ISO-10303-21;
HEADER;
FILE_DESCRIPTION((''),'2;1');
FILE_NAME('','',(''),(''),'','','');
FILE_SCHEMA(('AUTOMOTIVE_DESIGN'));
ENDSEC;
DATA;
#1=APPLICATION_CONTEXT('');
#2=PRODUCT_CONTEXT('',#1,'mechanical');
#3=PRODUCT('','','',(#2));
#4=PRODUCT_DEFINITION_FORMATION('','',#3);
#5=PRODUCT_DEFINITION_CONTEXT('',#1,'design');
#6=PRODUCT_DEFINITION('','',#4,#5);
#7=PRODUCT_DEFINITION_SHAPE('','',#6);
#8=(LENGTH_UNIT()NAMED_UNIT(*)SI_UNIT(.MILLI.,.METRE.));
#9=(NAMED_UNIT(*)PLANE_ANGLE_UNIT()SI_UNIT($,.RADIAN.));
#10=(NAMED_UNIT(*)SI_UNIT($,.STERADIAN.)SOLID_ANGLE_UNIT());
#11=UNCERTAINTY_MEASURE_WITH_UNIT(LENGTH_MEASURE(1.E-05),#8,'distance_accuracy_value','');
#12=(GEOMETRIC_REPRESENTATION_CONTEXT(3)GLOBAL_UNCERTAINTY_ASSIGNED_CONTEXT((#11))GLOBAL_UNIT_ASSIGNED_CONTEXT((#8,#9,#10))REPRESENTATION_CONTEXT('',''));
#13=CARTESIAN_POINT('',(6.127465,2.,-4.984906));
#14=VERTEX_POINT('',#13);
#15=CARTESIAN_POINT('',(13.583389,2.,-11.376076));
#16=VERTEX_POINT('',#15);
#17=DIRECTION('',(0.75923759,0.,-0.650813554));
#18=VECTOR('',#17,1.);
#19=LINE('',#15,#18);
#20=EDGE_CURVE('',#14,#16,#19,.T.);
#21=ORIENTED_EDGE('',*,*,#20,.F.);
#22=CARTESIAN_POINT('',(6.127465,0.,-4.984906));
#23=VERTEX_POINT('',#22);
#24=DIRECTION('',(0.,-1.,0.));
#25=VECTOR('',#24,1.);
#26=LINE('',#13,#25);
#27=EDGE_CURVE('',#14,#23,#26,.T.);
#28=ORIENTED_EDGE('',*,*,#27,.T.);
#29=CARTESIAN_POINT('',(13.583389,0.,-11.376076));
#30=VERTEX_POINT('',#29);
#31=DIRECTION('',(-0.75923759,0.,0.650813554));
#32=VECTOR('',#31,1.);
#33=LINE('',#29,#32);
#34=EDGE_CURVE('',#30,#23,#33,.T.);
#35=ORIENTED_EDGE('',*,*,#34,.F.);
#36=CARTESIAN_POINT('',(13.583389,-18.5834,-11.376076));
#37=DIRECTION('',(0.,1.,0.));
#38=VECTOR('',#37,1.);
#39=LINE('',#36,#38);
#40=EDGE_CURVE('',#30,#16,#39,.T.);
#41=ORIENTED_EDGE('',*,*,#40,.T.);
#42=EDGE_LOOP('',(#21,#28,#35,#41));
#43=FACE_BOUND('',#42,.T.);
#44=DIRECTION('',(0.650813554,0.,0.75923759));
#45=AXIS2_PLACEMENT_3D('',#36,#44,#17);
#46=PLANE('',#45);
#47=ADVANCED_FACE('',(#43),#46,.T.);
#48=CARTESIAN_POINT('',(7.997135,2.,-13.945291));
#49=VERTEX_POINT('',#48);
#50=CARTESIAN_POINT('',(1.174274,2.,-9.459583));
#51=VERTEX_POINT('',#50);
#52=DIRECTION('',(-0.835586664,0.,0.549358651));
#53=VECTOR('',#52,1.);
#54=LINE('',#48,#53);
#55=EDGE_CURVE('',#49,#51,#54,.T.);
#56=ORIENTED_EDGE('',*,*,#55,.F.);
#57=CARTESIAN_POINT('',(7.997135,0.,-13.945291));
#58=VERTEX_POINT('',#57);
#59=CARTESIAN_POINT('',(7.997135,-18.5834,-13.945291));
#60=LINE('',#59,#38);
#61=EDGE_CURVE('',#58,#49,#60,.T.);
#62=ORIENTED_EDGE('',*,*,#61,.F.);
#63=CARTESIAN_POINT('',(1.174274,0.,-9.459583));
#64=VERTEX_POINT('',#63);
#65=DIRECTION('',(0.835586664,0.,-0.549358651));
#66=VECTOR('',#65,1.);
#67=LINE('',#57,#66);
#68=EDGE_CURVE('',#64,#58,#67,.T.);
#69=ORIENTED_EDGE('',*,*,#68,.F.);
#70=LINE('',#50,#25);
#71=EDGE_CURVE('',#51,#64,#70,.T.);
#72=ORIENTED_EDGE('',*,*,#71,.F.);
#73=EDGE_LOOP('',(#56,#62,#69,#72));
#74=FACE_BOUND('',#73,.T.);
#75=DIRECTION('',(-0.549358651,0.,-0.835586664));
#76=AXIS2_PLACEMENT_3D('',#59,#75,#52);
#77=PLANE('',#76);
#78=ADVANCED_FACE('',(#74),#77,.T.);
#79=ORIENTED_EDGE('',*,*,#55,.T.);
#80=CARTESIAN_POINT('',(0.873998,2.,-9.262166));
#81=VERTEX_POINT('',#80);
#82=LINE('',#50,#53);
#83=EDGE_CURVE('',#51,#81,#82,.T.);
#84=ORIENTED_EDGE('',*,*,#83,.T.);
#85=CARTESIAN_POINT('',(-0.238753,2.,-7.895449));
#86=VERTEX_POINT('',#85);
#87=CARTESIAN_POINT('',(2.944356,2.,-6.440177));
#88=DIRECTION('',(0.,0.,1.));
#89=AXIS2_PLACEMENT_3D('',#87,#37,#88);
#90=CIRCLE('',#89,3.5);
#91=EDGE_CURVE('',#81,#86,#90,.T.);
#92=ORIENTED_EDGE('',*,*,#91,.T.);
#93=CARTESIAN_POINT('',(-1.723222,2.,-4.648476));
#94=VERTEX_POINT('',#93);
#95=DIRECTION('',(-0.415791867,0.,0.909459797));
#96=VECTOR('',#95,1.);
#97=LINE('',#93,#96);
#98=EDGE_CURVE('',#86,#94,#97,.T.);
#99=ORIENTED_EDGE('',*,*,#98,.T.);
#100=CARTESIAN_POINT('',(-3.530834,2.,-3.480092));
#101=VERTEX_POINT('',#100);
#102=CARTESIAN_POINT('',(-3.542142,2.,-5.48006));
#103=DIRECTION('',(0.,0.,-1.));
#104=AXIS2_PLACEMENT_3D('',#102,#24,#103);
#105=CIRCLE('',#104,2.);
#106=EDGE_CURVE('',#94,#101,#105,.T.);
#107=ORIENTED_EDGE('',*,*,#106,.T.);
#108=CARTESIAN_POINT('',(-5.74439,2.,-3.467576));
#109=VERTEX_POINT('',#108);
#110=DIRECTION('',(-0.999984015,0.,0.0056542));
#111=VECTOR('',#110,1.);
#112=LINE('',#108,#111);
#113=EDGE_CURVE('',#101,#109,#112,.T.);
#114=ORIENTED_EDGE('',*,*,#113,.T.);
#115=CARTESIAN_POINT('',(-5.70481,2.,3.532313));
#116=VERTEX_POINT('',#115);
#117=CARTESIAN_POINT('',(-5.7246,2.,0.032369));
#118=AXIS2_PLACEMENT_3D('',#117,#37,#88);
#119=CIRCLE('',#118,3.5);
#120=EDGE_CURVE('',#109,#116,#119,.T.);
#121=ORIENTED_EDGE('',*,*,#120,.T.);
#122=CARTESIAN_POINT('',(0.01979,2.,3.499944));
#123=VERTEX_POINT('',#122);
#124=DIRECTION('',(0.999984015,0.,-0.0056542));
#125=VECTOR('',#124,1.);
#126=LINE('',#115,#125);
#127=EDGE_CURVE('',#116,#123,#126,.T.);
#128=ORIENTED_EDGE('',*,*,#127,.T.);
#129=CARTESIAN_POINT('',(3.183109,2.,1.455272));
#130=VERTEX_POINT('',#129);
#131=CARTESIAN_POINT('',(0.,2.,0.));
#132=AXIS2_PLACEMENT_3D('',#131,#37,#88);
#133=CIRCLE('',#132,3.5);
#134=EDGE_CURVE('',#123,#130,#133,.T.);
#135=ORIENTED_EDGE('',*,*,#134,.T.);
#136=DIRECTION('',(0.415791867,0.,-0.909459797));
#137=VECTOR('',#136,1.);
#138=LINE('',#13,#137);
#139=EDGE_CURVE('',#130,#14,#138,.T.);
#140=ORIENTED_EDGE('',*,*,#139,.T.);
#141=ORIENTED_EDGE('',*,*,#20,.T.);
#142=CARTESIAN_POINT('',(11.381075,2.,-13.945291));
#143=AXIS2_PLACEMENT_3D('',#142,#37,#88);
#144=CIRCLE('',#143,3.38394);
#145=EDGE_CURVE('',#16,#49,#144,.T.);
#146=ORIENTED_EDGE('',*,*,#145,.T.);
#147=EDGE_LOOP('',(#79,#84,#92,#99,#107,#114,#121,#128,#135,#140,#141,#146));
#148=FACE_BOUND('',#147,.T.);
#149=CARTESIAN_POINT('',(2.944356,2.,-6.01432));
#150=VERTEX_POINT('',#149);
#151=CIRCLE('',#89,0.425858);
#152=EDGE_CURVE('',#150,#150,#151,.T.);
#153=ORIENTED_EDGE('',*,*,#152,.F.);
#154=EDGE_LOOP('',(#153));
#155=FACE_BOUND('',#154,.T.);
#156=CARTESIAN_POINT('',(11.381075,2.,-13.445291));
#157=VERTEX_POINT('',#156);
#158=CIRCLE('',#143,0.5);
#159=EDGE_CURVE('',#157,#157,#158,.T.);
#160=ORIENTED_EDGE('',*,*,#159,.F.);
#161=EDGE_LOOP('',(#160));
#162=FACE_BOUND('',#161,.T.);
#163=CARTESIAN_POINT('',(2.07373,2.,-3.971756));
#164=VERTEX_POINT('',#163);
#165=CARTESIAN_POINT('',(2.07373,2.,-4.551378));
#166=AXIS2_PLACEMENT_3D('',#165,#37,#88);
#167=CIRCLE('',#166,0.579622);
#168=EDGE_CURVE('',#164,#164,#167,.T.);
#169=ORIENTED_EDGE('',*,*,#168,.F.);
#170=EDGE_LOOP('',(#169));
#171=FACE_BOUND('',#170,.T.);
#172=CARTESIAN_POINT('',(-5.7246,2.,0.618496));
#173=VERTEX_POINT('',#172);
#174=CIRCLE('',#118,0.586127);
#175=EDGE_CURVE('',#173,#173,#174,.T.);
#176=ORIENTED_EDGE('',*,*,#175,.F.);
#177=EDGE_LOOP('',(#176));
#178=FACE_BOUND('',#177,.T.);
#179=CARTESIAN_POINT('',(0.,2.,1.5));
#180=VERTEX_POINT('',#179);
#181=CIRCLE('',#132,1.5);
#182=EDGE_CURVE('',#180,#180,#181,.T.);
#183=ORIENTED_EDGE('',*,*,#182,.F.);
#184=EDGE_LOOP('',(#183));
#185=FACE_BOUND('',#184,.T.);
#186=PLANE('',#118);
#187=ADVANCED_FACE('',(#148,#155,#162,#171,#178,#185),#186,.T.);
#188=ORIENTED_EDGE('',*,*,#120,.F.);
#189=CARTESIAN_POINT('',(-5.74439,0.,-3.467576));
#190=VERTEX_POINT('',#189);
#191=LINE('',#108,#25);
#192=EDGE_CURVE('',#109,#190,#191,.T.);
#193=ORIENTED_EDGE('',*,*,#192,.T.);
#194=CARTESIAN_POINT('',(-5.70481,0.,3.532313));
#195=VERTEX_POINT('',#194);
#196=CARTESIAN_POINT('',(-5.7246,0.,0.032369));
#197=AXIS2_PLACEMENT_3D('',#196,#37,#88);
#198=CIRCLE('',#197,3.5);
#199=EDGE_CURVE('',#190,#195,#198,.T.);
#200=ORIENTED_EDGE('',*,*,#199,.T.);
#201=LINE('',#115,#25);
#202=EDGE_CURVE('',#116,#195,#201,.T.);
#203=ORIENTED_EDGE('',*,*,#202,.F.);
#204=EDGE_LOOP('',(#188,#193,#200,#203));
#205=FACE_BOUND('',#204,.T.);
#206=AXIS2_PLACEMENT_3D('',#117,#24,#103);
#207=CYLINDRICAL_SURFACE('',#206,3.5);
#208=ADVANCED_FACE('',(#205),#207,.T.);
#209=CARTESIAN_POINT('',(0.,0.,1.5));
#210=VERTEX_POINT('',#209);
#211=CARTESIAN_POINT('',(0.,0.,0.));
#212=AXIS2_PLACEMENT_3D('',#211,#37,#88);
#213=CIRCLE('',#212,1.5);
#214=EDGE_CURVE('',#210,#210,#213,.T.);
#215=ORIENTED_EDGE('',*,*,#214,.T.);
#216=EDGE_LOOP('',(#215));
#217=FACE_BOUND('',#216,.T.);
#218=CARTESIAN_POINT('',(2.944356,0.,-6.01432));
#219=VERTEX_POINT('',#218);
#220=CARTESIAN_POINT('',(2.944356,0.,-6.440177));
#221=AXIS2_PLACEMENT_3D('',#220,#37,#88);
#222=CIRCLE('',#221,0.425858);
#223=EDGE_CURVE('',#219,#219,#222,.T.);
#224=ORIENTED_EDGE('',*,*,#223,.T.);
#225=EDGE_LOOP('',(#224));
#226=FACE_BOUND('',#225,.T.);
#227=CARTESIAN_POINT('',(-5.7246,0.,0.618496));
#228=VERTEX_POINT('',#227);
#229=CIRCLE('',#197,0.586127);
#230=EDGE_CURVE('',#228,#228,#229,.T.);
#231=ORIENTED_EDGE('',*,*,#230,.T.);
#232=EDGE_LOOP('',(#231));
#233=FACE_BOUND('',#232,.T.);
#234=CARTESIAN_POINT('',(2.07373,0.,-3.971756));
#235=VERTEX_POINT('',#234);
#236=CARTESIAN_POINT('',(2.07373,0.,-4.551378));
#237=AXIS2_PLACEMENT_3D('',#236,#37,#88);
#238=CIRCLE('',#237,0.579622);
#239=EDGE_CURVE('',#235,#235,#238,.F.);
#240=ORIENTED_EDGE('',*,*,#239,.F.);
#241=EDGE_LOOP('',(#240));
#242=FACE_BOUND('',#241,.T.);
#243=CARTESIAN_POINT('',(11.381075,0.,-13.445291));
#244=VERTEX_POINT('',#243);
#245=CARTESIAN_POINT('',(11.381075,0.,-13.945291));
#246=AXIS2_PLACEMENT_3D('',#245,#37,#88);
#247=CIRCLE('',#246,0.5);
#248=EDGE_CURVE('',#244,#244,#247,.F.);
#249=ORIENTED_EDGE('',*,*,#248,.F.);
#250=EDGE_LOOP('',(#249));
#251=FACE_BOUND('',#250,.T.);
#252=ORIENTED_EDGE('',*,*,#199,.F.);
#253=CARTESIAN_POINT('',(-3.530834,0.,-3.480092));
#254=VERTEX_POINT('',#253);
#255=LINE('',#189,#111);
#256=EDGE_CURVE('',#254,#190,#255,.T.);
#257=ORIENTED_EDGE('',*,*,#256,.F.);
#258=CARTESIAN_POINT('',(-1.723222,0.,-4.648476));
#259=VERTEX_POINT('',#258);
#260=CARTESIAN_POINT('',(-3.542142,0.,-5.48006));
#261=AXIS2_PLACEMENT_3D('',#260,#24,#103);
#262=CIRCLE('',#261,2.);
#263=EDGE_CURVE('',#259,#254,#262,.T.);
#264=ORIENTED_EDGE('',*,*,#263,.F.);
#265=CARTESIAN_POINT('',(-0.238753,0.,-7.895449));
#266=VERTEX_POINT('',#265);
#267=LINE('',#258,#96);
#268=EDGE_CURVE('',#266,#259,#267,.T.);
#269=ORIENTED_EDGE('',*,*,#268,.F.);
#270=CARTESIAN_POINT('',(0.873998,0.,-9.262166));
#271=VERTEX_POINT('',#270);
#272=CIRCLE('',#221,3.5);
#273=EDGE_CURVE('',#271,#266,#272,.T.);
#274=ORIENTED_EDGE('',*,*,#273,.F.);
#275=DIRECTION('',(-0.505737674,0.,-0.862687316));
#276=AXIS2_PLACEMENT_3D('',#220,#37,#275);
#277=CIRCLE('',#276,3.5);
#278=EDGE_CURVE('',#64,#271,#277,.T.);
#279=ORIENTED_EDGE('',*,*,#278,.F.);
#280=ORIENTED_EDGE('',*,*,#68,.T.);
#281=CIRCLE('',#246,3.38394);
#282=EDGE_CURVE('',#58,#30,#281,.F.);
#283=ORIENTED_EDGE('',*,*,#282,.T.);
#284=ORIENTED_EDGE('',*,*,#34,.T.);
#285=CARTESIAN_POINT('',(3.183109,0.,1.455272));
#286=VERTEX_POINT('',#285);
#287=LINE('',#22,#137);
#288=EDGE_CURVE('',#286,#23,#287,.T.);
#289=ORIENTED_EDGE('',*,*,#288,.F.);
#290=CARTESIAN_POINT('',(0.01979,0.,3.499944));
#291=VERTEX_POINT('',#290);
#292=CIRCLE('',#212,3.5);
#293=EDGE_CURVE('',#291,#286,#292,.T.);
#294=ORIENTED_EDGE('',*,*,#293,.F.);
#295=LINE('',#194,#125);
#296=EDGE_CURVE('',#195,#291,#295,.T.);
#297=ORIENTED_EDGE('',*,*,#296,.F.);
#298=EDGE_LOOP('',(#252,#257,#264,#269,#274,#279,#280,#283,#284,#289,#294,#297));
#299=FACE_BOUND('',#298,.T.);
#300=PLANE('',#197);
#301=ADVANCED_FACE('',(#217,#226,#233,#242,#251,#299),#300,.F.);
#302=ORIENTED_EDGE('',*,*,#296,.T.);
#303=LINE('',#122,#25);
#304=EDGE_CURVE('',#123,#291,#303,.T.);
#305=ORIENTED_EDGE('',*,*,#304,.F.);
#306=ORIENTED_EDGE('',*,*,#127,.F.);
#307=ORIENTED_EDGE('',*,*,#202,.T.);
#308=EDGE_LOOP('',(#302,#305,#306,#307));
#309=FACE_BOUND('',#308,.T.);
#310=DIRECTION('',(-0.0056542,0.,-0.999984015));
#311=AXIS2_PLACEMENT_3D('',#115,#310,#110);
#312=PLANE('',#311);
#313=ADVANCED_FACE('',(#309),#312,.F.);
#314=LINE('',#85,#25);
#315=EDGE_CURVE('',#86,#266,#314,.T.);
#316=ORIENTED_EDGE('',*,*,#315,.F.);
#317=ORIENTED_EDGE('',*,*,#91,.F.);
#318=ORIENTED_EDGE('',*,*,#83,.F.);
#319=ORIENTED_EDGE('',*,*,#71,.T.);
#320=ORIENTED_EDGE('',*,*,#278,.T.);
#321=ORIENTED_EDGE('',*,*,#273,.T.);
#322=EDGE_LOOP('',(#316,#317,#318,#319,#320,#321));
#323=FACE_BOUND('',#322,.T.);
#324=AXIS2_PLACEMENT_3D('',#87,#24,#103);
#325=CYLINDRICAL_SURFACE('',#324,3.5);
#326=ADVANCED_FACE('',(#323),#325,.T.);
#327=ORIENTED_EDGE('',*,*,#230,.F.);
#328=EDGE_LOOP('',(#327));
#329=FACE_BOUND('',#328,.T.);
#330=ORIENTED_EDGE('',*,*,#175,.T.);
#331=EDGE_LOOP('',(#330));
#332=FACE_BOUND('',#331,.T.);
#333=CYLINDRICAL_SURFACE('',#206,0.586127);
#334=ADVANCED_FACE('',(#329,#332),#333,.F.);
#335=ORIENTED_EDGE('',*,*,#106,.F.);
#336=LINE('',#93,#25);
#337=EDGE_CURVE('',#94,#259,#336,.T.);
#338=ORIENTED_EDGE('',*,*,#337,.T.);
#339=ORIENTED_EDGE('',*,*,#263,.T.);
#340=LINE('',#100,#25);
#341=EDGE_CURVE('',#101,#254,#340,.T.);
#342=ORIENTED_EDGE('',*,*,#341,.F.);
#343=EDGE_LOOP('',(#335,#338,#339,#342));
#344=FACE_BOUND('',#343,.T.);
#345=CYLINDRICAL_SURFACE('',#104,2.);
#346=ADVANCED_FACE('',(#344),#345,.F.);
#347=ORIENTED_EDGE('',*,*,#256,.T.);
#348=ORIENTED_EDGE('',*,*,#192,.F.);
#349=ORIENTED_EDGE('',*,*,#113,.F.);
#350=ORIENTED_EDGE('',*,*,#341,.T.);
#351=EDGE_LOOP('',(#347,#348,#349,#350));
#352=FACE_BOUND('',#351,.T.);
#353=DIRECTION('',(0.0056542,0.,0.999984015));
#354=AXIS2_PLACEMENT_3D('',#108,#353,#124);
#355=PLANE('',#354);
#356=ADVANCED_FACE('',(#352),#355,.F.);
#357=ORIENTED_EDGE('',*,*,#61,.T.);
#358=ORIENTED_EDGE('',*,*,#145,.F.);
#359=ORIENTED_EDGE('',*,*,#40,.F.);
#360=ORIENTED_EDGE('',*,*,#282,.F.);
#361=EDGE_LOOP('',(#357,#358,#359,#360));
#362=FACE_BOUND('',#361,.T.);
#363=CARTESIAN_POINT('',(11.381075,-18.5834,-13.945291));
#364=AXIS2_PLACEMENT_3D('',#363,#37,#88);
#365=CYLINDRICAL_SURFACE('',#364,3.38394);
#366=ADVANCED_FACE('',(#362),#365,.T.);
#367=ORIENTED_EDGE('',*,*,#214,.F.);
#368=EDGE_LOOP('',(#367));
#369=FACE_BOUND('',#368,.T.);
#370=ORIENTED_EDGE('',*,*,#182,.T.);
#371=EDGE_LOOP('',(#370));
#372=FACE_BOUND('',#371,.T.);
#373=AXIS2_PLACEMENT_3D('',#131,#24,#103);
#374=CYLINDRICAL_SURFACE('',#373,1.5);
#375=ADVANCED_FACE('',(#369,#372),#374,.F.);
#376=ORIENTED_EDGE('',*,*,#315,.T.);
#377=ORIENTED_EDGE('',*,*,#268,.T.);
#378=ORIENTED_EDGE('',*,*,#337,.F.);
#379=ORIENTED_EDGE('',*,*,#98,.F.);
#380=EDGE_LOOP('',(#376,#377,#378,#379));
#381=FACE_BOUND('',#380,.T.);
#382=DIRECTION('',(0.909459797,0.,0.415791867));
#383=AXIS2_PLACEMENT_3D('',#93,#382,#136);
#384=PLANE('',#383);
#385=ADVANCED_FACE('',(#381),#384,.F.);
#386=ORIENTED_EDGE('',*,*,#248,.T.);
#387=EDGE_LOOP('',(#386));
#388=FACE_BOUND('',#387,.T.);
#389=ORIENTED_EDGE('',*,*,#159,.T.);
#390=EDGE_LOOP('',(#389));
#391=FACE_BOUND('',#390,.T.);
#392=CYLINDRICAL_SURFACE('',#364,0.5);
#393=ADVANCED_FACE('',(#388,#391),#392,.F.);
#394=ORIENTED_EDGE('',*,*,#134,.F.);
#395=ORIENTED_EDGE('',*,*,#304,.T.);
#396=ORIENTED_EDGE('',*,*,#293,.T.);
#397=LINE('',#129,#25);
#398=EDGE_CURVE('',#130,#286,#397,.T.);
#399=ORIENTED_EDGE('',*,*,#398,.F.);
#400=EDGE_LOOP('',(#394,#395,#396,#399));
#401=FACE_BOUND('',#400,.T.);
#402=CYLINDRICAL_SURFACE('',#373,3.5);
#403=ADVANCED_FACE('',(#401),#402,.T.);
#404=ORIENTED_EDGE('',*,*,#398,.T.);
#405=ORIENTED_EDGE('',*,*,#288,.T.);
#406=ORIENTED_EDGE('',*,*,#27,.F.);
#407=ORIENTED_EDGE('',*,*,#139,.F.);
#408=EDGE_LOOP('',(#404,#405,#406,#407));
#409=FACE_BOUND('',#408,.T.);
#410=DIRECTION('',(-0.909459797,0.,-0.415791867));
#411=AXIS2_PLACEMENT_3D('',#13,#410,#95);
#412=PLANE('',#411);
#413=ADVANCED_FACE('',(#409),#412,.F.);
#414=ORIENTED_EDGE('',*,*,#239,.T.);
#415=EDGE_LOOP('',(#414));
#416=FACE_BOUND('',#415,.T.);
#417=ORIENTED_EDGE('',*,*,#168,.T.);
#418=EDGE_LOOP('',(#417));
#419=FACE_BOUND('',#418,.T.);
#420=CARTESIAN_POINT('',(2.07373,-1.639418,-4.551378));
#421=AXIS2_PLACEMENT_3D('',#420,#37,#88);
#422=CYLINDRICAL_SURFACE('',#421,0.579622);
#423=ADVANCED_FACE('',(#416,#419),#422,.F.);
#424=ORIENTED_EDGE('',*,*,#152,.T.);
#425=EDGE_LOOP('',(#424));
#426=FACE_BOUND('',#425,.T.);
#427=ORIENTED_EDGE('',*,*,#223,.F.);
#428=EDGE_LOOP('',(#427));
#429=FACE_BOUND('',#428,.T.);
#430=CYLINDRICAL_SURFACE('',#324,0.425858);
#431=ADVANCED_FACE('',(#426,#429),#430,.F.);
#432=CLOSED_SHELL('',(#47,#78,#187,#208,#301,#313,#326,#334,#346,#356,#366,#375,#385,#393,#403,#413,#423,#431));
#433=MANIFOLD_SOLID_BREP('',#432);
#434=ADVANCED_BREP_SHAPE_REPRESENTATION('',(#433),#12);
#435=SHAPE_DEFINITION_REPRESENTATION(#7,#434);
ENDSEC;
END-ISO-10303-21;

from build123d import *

# Parameters (mm, degrees)
SKETCH1_R           = 1.5
SKETCH1_R_2         = 0.586127488
SKETCH1_R_3         = 0.42585763
BOSS_EXTRUDE1_DEPTH = 2
SKETCH3_R           = 0.579621875
CUT_EXTRUDE1_DEPTH  = 2
SKETCH4_R           = 0.5
BOSS_EXTRUDE3_DEPTH = 2


with BuildPart() as part:
    # Sketch1 → Boss-Extrude1 (new body)
    with BuildSketch(Plane(origin=(0, 0, 0), x_dir=(1, 0, 0), z_dir=(0, 1, 0))):
        with BuildLine():
            Line((-5.704810184, -3.532312602), (0.0197897, -3.499944052))
            ThreePointArc((0.0197897, -3.499944052), (1.899950502, -2.939419686), (3.183109291, -1.455271536))
            Line((3.183109291, -1.455271536), (6.127465187, 4.984905694))
            ThreePointArc((6.127465187, 4.984905694), (4.399627432, 9.62328652), (-0.238753394, 7.895448766))
            Line((-0.238753394, 7.895448766), (-1.72322244, 4.648475885))
            ThreePointArc((-1.72322244, 4.648475885), (-2.456456033, 3.800391228), (-3.530833635, 3.48009159))
            Line((-3.530833635, 3.48009159), (-5.744389584, 3.467575502))
            ThreePointArc((-5.744389584, 3.467575502), (-9.224543936, -0.05215825), (-5.704810184, -3.532312602))
        make_face()
        with Locations(Location((0, 0, 0), (0, 0, 270))):
            Circle(SKETCH1_R, mode=Mode.SUBTRACT)
        with Locations(Location((-5.724599884, -0.03236855, 0), (0, 0, 270))):
            Circle(SKETCH1_R_2, mode=Mode.SUBTRACT)
        with Locations(Location((2.944355896, 6.44017723, 0), (0, 0, 270))):
            Circle(SKETCH1_R_3, mode=Mode.SUBTRACT)
    extrude(amount=BOSS_EXTRUDE1_DEPTH)

    # Sketch3 → Cut-Extrude1 (cut)
    with BuildSketch(Plane(origin=(0, 2, 0), x_dir=(1, 0, 0), z_dir=(0, 1, 0))):
        with Locations(Location((2.073730064, 4.551378241, 0), (0, 0, 270))):
            Circle(SKETCH3_R)
    extrude(amount=-CUT_EXTRUDE1_DEPTH, mode=Mode.SUBTRACT)

    # Sketch4 → Boss-Extrude3 (add)
    with BuildSketch(Plane(origin=(0, 2, 0), x_dir=(1, 0, 0), z_dir=(0, 1, 0))):
        with BuildLine():
            Line((13.583389447, 11.376075771), (6.127465187, 4.984905694))
            Line((6.127465187, 4.984905694), (0.873997954, 9.262165534))
            Line((0.873997954, 9.262165534), (7.997134718, 13.945290547))
            ThreePointArc((7.997134718, 13.945290547), (12.795032794, 17.01966473), (13.583389447, 11.376075771))
        make_face()
        with Locations(Location((11.381075149, 13.945290547, 0), (0, 0, 270))):
            Circle(SKETCH4_R, mode=Mode.SUBTRACT)
    extrude(amount=-BOSS_EXTRUDE3_DEPTH)


solid = part.part
